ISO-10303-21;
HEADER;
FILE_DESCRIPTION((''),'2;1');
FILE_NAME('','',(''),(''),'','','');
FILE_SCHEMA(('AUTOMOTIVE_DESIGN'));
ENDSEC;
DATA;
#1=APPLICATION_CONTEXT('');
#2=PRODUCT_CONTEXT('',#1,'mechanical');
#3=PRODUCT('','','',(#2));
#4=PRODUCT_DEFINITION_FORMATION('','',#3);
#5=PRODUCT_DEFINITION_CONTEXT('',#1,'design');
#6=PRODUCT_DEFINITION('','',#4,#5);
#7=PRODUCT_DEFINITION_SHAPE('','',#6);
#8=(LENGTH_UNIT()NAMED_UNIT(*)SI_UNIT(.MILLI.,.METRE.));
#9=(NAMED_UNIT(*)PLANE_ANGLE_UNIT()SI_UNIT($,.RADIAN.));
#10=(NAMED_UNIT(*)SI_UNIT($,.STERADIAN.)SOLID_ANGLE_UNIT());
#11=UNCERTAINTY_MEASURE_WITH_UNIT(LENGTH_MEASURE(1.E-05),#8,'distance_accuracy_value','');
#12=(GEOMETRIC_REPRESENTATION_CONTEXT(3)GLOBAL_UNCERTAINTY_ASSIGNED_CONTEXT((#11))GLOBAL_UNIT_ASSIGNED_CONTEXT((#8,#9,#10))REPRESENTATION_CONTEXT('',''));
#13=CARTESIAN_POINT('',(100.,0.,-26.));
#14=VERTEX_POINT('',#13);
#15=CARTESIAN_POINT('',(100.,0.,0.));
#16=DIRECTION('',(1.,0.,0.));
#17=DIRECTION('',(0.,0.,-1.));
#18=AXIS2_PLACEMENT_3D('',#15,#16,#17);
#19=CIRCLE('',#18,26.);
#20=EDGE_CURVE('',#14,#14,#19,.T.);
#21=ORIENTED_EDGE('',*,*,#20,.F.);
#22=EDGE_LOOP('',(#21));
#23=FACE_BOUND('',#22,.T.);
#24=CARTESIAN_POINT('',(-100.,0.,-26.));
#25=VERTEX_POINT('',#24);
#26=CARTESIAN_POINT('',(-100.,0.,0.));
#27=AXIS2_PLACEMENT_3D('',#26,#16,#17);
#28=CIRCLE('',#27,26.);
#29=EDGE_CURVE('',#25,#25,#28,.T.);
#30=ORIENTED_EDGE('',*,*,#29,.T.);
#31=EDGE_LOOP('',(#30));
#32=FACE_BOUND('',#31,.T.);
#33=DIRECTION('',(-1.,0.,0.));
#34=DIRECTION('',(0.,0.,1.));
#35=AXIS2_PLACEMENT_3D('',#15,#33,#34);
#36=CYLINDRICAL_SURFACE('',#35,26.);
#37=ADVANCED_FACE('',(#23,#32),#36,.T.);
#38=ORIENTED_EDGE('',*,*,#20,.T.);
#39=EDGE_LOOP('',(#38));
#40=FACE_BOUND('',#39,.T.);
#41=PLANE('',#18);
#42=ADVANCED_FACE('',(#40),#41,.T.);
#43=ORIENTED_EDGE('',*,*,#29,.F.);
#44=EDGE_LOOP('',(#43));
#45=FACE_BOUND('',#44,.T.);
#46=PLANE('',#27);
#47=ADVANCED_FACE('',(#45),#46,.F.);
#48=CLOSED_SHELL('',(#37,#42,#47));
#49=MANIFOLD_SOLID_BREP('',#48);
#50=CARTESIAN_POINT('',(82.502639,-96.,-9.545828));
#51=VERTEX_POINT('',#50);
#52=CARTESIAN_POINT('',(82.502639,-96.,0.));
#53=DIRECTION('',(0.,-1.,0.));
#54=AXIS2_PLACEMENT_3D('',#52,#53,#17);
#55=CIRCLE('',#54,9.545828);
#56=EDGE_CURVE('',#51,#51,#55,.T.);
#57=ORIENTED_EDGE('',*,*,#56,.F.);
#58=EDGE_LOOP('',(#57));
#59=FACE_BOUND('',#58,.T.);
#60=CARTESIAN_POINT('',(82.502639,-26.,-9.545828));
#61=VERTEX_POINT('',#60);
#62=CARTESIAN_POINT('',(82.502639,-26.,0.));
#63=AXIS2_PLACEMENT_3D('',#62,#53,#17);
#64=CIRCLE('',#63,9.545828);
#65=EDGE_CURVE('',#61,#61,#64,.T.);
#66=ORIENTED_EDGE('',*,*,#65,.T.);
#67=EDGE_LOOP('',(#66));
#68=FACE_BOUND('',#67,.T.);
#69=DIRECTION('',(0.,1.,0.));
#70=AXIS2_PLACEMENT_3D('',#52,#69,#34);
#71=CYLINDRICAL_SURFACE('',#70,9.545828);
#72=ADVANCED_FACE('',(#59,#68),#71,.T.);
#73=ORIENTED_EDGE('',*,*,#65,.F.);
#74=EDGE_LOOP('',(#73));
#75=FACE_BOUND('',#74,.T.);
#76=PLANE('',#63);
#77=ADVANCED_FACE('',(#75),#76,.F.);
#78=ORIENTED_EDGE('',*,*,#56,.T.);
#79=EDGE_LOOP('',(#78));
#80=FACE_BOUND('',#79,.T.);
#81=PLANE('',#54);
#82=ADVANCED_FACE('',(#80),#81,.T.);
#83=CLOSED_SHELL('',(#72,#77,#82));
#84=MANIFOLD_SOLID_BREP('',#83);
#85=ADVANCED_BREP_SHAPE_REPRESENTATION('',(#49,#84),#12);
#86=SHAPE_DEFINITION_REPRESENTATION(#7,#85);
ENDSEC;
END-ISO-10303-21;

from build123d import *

# Parameters (mm, degrees)
SKETCH1_R           = 26
BOSS_EXTRUDE1_DEPTH = 100
SKETCH2_R           = 9.545827736
BOSS_EXTRUDE2_DEPTH = 70


with BuildPart() as part:
    # Sketch1 → Boss-Extrude1 (new, symmetric)
    with BuildSketch(Plane(origin=(0, 0, 0), x_dir=(0, 0, -1), z_dir=(1, 0, 0))):
        Circle(SKETCH1_R)
    extrude(amount=BOSS_EXTRUDE1_DEPTH, both=True)


with BuildPart() as body_2:
    # Sketch2 → Boss-Extrude2 (new body)
    with BuildSketch(Plane(origin=(0, -26, 0), x_dir=(-1, 0, 0), z_dir=(0, -1, 0))):
        with Locations(Location((-82.502639329, 0, 0), (0, 0, 90))):
            Circle(SKETCH2_R)
    extrude(amount=BOSS_EXTRUDE2_DEPTH)


solid = Compound([part.part, body_2.part])
